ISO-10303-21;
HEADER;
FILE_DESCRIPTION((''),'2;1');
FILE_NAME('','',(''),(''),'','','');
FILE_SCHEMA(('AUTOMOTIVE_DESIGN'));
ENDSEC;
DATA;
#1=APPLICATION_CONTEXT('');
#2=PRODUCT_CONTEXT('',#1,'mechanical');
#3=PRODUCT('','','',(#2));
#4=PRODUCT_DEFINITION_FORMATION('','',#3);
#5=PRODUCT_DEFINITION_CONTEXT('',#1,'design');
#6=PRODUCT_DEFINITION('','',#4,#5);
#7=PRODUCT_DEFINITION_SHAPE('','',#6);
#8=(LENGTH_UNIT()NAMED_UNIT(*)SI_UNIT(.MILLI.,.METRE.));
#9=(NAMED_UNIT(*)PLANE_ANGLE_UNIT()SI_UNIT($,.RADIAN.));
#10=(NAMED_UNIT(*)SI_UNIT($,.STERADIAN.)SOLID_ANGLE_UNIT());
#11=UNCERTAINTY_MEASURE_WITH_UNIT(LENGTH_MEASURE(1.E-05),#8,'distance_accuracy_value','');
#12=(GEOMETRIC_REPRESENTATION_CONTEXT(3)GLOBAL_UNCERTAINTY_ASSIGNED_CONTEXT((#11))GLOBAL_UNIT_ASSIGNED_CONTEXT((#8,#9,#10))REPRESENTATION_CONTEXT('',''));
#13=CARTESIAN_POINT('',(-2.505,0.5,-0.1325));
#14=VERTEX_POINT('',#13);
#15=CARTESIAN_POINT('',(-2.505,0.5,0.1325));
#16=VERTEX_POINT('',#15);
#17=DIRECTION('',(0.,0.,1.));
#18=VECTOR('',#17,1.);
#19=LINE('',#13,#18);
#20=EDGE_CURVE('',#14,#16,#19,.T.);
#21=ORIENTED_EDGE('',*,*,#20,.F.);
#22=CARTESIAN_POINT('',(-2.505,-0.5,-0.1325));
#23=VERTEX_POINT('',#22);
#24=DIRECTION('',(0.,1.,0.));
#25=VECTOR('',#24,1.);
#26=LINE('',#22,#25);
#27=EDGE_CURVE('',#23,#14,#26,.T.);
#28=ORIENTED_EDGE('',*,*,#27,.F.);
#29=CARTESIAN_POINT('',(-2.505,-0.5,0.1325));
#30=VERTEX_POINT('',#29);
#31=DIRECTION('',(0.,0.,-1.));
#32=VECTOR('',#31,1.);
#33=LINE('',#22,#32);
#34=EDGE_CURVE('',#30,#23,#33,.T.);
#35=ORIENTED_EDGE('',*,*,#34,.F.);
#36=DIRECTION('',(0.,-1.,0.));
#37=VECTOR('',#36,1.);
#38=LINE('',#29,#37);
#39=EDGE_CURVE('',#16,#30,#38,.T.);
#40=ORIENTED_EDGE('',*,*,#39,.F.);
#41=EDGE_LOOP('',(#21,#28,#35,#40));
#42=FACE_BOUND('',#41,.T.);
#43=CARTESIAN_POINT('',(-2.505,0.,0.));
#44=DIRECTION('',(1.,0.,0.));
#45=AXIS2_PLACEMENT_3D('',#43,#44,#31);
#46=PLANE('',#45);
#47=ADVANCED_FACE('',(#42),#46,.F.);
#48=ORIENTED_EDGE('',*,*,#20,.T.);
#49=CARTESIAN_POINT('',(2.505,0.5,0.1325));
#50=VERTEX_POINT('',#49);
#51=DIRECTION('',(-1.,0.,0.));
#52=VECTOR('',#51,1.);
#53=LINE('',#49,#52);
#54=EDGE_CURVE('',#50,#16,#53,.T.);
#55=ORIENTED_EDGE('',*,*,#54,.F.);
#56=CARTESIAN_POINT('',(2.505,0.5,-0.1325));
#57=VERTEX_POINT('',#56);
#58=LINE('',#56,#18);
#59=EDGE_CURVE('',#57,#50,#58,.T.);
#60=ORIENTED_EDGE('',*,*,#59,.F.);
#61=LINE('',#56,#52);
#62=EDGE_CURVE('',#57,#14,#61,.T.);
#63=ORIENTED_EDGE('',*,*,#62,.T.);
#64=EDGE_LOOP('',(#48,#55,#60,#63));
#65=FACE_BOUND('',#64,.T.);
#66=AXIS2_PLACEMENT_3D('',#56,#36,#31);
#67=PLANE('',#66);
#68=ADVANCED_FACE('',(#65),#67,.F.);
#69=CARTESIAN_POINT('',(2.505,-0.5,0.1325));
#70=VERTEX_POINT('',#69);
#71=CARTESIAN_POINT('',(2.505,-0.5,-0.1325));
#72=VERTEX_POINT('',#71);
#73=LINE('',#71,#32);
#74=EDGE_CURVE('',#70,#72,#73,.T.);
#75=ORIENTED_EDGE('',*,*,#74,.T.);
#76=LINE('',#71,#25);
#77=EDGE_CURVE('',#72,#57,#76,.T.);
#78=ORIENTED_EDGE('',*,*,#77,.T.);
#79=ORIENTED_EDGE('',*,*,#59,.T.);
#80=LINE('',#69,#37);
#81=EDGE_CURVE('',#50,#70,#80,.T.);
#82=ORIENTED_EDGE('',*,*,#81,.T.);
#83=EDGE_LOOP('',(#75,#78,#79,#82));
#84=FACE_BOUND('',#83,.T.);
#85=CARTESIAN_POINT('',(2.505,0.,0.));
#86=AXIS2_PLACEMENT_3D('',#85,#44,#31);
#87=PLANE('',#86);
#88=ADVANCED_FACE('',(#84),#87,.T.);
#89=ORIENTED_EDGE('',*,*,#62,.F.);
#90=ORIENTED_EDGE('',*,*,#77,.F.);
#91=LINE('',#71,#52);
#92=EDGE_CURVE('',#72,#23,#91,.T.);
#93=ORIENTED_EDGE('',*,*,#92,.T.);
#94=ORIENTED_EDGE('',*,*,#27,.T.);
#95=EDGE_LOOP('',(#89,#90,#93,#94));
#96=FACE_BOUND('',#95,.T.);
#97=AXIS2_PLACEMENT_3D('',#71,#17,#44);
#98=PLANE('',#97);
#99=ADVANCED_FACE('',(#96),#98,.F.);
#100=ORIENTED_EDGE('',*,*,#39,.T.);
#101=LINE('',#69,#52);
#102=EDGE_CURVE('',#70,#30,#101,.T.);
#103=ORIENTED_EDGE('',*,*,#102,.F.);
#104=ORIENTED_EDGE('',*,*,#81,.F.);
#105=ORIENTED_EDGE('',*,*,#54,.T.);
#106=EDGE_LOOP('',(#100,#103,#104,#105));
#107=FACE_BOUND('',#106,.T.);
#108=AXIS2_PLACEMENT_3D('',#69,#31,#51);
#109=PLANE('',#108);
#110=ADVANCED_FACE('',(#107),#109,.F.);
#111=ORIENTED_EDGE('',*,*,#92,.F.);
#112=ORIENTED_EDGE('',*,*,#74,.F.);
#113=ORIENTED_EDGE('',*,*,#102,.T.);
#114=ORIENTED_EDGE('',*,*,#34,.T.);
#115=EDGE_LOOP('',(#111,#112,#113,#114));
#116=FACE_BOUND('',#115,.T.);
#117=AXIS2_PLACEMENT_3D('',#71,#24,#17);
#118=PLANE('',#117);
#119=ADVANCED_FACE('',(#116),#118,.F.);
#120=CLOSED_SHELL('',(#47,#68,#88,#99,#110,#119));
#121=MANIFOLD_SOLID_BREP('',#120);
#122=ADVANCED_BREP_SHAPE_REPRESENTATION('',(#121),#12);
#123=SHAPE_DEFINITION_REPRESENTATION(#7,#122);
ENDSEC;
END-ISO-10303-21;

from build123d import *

# Parameters (mm, degrees)
SKETCH1_W           = 0.265
SKETCH1_H           = 1
BOSS_EXTRUDE1_DEPTH = 2.505


with BuildPart() as part:
    # Sketch1 → Boss-Extrude1 (new, symmetric)
    with BuildSketch(Plane(origin=(0, 0, 0), x_dir=(0, 0, -1), z_dir=(1, 0, 0))):
        Rectangle(SKETCH1_W, SKETCH1_H)
    extrude(amount=BOSS_EXTRUDE1_DEPTH, both=True)


solid = part.part
